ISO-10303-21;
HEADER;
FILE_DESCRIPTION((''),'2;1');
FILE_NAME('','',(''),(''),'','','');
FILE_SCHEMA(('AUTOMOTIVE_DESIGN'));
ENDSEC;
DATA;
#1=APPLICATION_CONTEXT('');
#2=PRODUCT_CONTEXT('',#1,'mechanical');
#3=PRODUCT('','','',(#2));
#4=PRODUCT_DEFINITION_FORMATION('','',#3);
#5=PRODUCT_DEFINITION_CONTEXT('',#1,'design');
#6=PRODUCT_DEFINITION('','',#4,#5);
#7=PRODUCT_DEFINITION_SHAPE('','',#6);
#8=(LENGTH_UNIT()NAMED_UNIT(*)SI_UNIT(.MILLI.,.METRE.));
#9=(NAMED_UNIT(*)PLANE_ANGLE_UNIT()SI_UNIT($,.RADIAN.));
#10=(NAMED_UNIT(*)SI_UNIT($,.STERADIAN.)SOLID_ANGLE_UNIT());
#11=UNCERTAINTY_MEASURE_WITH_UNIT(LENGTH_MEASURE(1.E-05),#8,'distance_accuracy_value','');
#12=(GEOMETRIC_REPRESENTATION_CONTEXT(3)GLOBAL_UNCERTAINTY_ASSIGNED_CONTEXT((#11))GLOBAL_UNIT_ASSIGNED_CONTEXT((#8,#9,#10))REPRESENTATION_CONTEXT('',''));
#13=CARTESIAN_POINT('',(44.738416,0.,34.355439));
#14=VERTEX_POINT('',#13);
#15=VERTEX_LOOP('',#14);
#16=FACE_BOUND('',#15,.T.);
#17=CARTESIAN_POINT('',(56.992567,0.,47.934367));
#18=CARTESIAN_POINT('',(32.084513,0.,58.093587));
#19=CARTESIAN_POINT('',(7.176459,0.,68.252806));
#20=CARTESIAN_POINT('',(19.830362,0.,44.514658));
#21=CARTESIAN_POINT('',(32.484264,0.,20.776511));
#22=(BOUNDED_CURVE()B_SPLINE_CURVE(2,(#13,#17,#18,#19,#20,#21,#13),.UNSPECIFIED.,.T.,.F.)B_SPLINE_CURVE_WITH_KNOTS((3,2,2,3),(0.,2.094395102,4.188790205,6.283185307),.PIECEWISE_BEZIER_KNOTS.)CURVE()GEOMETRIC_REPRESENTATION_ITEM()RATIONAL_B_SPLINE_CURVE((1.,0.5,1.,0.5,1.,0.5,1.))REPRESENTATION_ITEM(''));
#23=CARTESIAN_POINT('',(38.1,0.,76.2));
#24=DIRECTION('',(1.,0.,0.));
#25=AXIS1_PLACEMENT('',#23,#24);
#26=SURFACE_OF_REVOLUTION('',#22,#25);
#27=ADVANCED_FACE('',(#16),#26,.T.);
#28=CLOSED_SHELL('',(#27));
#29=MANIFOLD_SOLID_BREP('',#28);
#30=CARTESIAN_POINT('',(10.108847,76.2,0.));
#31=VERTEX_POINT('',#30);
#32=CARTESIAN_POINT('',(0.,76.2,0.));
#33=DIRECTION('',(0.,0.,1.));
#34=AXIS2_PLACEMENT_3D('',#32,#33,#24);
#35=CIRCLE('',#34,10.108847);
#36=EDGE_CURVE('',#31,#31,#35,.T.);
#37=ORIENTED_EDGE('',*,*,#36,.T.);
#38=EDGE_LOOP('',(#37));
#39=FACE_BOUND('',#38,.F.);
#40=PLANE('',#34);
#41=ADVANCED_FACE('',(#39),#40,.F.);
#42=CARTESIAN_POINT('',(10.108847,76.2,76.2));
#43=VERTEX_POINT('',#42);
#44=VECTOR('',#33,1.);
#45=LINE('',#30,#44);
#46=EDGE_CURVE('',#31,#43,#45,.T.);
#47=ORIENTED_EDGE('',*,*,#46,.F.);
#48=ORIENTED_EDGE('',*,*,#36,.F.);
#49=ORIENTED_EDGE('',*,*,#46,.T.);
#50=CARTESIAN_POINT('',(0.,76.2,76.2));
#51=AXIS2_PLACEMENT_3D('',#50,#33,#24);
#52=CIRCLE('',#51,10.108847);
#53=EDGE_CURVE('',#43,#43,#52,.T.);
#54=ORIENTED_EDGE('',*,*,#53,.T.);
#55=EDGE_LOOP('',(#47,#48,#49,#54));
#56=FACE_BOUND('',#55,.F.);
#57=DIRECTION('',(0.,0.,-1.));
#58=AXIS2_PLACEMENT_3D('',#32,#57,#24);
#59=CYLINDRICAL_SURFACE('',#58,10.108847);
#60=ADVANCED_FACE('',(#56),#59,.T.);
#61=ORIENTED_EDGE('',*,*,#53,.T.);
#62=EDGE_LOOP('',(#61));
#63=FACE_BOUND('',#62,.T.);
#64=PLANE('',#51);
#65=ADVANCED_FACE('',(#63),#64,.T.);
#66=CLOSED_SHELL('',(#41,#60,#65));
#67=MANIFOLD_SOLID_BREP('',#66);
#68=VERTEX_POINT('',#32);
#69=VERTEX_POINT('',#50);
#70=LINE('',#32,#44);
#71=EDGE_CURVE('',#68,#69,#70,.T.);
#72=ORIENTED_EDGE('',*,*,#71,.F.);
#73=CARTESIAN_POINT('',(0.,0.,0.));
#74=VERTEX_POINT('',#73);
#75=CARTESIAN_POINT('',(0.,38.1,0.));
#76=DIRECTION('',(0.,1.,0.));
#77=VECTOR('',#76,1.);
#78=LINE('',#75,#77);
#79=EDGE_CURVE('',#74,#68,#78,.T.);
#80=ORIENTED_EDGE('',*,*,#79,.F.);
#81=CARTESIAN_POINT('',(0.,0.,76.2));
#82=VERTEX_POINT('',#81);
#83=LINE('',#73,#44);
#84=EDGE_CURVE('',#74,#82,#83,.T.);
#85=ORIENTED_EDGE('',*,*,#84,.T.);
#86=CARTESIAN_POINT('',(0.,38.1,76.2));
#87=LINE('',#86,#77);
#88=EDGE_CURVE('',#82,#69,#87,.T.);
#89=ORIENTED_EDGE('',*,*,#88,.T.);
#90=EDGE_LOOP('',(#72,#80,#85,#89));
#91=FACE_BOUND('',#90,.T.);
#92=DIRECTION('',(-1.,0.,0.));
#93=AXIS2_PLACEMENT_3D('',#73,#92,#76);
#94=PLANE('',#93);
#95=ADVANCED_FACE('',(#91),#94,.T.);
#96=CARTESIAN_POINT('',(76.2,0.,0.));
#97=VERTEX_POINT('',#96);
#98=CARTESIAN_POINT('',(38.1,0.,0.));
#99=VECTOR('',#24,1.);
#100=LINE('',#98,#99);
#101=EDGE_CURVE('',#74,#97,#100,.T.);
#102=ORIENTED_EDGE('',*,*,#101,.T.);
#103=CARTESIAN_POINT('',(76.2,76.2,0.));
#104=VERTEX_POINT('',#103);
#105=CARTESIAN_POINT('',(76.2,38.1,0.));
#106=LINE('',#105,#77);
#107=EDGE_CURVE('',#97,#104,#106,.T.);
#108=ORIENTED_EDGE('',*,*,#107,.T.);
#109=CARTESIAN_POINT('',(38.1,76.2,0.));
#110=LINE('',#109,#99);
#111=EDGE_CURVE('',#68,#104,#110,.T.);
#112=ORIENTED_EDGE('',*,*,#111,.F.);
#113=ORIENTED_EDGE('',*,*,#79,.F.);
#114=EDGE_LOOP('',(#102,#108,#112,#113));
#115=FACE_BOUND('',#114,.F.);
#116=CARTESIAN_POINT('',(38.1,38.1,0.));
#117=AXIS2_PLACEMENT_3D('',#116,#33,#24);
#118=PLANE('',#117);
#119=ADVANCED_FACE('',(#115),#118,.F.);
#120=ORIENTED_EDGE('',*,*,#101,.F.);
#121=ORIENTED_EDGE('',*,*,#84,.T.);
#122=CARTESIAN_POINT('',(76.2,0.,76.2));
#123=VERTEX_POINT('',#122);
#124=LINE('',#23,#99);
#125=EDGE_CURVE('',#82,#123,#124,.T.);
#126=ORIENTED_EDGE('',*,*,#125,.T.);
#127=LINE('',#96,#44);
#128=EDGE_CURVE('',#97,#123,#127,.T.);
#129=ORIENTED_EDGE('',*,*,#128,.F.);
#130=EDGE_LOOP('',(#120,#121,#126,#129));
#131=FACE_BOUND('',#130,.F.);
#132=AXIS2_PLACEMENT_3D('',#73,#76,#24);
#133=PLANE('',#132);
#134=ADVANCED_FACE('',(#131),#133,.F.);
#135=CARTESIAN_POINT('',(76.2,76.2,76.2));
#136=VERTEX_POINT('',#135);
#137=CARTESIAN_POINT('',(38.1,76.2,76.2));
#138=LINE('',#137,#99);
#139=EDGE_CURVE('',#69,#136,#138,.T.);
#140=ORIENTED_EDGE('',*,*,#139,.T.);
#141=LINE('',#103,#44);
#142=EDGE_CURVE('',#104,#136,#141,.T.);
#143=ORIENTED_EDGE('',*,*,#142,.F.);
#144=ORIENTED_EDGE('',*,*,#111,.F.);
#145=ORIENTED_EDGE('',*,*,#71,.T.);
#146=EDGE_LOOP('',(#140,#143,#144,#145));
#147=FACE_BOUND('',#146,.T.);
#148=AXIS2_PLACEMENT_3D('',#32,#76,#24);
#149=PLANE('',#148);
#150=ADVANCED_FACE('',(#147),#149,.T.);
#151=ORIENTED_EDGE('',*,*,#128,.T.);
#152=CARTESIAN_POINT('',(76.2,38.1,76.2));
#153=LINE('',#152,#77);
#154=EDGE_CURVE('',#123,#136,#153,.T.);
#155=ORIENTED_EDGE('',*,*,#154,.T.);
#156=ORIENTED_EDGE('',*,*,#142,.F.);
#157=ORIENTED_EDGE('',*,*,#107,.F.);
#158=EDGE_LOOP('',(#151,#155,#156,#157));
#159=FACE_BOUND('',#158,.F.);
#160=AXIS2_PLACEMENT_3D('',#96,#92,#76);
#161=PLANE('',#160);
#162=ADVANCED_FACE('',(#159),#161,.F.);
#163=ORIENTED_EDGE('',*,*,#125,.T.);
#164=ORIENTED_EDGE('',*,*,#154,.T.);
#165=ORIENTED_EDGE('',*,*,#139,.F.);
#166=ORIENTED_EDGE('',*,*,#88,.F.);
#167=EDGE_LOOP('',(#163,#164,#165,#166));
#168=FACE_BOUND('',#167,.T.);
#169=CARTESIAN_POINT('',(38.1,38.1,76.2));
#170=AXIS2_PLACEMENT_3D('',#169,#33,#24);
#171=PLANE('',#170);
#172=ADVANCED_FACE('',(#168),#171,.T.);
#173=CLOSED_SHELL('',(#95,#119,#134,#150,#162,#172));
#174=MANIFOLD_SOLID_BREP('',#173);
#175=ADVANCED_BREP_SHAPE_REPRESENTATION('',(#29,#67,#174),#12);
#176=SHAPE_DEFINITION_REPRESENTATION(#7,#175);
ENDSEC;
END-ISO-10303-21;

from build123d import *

# Parameters (mm, degrees)
F0_W     = 76.2
F0_H     = 76.2
F1_DEPTH = 76.2
F4_R     = 10.1088473741
F5_DEPTH = 76.2


with BuildPart() as f1:
    # F0 (on Top) → F1 (new body)
    with BuildSketch(Plane.XY):
        with Locations((38.1, 38.1)):
            Rectangle(F0_W, F0_H)
    extrude(amount=F1_DEPTH)


with BuildPart() as f3:
    # F2 (on Front) → F3 (revolve)
    with BuildSketch(Plane.XZ):
        with BuildLine():
            add(Edge.make_bspline(
                [(44.7384156287, 34.3554392457), (56.9925669918, 47.9343674417), (32.0845129137, 58.0935865311), (7.1764588356, 68.2528056204), (19.8303615506, 44.5146583351), (32.4842642656, 20.7765110497), (44.7384156287, 34.3554392457)],
                knots=[0, 0, 0, 2.0943951024, 2.0943951024, 4.1887902048, 4.1887902048, 6.2831853072, 6.2831853072, 6.2831853072], degree=2, weights=[1, 0.5, 1, 0.5, 1, 0.5, 1]))
        make_face()
    revolve(axis=Axis((38.1, 0, 76.2), (1, 0, 0)))


with BuildPart() as f5:
    # F4 (on Top) → F5 (new body, through all)
    with BuildSketch(Plane.XY):
        with Locations((0, 76.2)):
            Circle(F4_R)
    extrude(amount=F5_DEPTH)


solid = Compound([f1.part, f3.part, f5.part])
